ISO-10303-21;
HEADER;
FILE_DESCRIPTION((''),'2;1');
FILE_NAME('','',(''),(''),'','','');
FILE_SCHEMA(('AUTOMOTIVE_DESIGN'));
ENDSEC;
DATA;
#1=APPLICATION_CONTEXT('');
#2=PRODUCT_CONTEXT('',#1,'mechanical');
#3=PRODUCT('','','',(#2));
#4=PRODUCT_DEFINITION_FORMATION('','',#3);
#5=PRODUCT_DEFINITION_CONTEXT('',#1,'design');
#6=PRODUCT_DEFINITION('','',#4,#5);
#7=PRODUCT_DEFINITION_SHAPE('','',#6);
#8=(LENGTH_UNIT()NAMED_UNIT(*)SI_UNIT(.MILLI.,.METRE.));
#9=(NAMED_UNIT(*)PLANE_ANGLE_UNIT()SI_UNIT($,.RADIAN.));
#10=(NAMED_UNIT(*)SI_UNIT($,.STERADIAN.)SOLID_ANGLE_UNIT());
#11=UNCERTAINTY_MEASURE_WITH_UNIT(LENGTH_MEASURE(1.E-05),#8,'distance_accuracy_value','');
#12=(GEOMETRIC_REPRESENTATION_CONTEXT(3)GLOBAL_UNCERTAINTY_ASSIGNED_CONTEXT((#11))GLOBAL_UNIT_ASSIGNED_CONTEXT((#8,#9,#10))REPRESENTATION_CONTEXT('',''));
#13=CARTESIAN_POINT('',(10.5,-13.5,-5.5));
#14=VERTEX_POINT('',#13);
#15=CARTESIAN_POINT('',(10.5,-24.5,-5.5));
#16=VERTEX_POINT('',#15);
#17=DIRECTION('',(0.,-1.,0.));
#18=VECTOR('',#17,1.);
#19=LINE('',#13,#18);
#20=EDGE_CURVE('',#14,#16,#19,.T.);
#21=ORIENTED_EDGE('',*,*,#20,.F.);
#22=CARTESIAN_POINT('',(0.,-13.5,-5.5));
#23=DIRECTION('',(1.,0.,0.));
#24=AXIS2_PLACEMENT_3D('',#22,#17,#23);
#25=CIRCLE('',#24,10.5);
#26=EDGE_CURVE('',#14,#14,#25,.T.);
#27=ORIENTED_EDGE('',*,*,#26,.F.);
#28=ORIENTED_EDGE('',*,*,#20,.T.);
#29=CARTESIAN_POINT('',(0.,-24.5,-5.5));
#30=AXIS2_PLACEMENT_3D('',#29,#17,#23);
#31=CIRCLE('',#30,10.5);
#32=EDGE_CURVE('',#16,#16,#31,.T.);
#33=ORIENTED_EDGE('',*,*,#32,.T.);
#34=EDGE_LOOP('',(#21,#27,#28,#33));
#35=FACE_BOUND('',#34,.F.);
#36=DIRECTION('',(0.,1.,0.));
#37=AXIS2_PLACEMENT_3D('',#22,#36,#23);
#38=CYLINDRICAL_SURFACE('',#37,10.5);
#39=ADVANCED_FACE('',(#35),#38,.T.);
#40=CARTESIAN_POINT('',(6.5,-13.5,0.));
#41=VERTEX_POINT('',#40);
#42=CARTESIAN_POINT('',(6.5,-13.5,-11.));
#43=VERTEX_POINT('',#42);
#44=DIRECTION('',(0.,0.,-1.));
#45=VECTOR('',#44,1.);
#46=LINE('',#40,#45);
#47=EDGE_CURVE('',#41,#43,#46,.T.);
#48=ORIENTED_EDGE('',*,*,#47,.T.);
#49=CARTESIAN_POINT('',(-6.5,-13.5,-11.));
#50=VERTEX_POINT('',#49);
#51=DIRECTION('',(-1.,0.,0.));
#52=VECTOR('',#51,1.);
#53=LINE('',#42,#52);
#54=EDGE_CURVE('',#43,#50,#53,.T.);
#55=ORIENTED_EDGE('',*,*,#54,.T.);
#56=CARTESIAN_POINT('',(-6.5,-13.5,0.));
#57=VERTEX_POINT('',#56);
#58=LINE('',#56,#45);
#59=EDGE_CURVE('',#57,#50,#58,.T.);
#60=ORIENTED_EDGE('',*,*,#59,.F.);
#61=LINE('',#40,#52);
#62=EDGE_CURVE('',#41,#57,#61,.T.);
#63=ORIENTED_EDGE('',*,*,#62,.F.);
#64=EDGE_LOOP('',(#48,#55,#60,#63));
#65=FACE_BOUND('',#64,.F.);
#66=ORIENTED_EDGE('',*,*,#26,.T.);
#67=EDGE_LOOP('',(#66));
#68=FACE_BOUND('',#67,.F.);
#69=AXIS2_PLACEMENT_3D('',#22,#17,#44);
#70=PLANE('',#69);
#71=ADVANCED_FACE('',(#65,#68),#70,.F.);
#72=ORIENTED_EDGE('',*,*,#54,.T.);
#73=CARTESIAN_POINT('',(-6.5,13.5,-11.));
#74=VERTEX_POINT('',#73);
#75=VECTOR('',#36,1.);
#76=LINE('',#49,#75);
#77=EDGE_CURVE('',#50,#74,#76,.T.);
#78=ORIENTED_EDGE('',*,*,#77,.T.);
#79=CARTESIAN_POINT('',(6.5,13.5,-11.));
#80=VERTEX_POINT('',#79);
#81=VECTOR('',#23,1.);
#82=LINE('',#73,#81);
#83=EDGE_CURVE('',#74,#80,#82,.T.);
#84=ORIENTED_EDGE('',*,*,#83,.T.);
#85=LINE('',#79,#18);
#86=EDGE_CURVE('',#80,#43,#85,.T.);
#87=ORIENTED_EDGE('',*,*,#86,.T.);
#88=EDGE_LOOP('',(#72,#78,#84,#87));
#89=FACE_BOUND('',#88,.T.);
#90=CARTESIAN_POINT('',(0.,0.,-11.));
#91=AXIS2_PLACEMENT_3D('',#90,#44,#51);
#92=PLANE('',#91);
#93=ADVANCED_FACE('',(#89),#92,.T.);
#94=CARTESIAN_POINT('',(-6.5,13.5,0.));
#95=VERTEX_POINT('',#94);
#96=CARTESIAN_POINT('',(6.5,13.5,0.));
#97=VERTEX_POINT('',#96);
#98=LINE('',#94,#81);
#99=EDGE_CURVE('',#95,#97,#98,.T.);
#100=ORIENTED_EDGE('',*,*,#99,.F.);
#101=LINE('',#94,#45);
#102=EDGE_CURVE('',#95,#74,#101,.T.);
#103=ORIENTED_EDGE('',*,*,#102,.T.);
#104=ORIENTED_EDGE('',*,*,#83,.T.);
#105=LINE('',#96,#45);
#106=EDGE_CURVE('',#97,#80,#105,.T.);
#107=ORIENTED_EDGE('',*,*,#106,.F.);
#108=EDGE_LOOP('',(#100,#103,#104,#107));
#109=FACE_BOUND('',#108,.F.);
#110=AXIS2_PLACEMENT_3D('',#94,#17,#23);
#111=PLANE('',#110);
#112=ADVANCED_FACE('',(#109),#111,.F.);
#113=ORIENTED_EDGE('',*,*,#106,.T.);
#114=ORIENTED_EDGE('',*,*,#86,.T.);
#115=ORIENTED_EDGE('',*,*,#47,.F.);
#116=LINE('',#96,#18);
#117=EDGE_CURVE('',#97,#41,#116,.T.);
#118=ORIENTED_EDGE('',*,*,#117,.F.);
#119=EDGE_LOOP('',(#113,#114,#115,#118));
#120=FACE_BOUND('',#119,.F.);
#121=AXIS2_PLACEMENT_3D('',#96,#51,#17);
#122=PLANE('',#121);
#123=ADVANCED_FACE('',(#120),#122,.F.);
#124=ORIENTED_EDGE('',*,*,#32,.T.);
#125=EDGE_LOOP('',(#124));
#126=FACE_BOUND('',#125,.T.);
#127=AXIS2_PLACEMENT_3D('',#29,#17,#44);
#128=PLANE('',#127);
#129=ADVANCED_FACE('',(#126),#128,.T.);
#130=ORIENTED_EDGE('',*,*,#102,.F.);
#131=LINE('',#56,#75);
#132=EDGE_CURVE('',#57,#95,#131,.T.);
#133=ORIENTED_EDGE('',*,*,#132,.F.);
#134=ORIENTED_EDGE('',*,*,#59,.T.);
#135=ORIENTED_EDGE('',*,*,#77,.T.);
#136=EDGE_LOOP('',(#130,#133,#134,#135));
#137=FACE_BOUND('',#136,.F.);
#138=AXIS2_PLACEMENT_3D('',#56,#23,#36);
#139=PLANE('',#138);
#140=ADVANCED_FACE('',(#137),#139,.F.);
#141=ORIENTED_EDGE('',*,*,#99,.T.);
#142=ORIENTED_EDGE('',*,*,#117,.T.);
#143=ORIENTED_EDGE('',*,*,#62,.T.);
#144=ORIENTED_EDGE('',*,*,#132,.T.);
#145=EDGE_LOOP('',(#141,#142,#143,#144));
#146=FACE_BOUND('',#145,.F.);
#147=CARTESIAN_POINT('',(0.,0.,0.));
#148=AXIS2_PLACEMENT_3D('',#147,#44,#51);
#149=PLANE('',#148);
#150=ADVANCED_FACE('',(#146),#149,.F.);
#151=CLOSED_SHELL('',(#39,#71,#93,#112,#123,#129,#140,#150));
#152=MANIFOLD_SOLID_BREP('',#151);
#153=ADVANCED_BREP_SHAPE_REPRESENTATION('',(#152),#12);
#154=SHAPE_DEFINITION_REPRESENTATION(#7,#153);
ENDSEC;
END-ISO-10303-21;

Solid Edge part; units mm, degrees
sketch "Sketch1" plane through (0, 0, 0) normal (0, 0, 1) x (1, 0, 0)
  line L0 (6.5, -13.5) -> (-6.5, -13.5)
  line L1 (-6.5, -13.5) -> (-6.5, 13.5)
  line L2 (-6.5, 13.5) -> (6.5, 13.5)
  line L3 (6.5, 13.5) -> (6.5, -13.5)
  dimension "D1" = 13
  dimension "D2" = 27
extrude "Protrusion1" add sketch "Sketch1" against normal blind 11
sketch "Sketch2" plane through (0, -13.5, -5.5) normal (0, -1, 0) x (1, 0, 0)
  circle A0 centre (0, 0) radius 10.5
  dimension "D1" = 21
  dimension "D2" = 5.5
extrude "Extrusionsausprägung_2" add sketch "Sketch2" along normal blind 11
